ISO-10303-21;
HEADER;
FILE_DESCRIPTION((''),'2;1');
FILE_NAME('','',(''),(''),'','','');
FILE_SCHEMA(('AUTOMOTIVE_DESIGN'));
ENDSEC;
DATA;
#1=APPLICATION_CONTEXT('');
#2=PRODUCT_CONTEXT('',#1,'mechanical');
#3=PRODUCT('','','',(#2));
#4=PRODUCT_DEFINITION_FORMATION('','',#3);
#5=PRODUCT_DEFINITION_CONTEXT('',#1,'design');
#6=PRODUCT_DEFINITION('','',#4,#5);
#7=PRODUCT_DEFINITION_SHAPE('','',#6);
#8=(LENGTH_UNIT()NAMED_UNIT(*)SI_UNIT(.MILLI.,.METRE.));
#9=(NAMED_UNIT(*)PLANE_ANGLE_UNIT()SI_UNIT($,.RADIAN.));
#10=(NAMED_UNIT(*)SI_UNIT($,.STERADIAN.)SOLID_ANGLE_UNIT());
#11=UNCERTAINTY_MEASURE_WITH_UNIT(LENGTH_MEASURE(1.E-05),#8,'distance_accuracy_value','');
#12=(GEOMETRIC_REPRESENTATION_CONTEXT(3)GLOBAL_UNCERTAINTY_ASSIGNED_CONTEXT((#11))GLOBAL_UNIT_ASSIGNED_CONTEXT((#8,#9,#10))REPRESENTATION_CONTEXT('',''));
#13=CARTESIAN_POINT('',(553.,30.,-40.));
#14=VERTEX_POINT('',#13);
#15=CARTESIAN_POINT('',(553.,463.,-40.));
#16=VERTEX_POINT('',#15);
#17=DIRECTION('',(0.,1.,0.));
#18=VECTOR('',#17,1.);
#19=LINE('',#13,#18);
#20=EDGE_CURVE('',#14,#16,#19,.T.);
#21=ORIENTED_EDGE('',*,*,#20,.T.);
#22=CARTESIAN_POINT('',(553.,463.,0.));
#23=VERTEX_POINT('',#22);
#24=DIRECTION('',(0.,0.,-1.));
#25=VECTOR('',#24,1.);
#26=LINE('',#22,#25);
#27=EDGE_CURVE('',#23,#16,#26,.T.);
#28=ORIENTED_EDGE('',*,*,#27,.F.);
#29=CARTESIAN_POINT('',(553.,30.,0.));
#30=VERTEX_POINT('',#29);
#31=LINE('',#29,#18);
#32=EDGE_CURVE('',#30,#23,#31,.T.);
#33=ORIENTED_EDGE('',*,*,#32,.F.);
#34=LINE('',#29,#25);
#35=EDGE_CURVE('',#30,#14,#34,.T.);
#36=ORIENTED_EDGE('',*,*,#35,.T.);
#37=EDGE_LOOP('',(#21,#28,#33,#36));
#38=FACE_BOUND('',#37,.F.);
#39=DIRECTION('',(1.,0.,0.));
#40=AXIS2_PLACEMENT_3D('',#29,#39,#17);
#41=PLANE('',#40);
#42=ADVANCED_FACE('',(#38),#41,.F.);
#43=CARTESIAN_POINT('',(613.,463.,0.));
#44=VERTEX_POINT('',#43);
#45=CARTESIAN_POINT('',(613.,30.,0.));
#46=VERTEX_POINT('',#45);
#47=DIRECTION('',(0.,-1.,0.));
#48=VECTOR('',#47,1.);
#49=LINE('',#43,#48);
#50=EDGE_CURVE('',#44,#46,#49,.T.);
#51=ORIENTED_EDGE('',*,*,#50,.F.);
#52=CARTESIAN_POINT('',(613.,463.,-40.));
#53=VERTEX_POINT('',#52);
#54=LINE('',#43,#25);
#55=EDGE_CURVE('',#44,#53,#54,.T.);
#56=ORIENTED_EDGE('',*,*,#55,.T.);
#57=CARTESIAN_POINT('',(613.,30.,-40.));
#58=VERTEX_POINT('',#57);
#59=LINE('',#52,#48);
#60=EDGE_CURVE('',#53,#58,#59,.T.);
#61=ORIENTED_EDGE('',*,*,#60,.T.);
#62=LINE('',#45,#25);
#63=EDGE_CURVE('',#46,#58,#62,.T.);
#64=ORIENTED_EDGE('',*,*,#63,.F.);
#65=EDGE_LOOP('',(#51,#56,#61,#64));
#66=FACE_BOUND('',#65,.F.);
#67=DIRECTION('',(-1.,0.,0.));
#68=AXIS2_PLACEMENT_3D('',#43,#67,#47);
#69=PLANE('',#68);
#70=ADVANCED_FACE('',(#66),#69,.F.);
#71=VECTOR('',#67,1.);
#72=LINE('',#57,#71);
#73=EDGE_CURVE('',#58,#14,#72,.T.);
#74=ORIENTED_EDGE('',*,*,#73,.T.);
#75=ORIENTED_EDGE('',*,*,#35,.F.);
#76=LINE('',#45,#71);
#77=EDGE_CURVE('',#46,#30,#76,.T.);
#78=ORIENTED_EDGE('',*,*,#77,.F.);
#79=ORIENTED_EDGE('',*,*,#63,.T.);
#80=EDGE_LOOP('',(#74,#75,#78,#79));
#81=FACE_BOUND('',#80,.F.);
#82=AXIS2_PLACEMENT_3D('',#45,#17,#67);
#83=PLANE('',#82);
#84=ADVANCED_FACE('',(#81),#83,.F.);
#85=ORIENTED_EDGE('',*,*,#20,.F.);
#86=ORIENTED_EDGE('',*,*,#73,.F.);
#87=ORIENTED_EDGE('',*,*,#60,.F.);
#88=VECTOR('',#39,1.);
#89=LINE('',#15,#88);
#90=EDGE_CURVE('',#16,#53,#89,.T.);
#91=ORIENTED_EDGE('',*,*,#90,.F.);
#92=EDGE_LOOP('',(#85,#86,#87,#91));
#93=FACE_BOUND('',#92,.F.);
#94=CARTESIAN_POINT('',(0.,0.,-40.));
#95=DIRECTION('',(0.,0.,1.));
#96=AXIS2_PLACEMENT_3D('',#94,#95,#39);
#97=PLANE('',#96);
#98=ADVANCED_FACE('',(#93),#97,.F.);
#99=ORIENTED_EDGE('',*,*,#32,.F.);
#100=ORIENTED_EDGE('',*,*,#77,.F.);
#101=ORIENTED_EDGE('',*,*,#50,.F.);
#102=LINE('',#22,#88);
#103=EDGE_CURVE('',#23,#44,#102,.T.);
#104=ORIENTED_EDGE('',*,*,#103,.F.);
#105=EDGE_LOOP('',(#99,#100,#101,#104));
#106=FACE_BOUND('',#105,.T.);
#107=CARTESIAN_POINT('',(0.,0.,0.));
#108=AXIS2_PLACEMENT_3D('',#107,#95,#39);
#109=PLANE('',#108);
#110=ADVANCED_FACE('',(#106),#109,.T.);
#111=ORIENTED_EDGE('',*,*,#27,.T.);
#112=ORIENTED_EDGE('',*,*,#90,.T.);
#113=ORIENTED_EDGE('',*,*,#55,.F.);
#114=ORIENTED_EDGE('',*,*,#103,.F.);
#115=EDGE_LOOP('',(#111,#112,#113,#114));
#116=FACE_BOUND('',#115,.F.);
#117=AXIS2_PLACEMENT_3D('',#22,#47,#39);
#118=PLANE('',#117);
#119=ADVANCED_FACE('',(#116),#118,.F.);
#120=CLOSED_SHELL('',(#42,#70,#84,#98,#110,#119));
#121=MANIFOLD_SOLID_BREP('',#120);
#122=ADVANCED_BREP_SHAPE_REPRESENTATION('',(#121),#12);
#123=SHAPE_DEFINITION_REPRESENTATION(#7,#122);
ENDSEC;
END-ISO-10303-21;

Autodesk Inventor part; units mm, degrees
ref_plane "YZ Plane" through (0, 0, 0) normal (1, 0, 0) x (0, 1, 0)
ref_plane "XZ Plane" through (0, 0, 0) normal (0, 1, 0) x (-1, 0, 0)
ref_plane "XY Plane" through (0, 0, 0) normal (0, 0, 1) x (1, 0, 0)
sketch "Sketch1" plane through (0, 0, 0) normal (0, 0, 1) x (1, 0, 0)
  line L0 (-100, 463) -> (-60, 463) construction
  line L1 (-60, 463) -> (631.4317, 463) construction
  line L2 (613, 30) -> (553, 30)
  line L3 (553, 30) -> (553, 463)
  line L4 (553, 463) -> (613, 463)
  line L5 (613, 463) -> (613, 30)
  point P0 (0, 0)
  dimension "d0" = 60
extrude "Extrusion1" add sketch "Sketch1" against normal blind 40
properties part number "Tower_Out" material "Wood"
